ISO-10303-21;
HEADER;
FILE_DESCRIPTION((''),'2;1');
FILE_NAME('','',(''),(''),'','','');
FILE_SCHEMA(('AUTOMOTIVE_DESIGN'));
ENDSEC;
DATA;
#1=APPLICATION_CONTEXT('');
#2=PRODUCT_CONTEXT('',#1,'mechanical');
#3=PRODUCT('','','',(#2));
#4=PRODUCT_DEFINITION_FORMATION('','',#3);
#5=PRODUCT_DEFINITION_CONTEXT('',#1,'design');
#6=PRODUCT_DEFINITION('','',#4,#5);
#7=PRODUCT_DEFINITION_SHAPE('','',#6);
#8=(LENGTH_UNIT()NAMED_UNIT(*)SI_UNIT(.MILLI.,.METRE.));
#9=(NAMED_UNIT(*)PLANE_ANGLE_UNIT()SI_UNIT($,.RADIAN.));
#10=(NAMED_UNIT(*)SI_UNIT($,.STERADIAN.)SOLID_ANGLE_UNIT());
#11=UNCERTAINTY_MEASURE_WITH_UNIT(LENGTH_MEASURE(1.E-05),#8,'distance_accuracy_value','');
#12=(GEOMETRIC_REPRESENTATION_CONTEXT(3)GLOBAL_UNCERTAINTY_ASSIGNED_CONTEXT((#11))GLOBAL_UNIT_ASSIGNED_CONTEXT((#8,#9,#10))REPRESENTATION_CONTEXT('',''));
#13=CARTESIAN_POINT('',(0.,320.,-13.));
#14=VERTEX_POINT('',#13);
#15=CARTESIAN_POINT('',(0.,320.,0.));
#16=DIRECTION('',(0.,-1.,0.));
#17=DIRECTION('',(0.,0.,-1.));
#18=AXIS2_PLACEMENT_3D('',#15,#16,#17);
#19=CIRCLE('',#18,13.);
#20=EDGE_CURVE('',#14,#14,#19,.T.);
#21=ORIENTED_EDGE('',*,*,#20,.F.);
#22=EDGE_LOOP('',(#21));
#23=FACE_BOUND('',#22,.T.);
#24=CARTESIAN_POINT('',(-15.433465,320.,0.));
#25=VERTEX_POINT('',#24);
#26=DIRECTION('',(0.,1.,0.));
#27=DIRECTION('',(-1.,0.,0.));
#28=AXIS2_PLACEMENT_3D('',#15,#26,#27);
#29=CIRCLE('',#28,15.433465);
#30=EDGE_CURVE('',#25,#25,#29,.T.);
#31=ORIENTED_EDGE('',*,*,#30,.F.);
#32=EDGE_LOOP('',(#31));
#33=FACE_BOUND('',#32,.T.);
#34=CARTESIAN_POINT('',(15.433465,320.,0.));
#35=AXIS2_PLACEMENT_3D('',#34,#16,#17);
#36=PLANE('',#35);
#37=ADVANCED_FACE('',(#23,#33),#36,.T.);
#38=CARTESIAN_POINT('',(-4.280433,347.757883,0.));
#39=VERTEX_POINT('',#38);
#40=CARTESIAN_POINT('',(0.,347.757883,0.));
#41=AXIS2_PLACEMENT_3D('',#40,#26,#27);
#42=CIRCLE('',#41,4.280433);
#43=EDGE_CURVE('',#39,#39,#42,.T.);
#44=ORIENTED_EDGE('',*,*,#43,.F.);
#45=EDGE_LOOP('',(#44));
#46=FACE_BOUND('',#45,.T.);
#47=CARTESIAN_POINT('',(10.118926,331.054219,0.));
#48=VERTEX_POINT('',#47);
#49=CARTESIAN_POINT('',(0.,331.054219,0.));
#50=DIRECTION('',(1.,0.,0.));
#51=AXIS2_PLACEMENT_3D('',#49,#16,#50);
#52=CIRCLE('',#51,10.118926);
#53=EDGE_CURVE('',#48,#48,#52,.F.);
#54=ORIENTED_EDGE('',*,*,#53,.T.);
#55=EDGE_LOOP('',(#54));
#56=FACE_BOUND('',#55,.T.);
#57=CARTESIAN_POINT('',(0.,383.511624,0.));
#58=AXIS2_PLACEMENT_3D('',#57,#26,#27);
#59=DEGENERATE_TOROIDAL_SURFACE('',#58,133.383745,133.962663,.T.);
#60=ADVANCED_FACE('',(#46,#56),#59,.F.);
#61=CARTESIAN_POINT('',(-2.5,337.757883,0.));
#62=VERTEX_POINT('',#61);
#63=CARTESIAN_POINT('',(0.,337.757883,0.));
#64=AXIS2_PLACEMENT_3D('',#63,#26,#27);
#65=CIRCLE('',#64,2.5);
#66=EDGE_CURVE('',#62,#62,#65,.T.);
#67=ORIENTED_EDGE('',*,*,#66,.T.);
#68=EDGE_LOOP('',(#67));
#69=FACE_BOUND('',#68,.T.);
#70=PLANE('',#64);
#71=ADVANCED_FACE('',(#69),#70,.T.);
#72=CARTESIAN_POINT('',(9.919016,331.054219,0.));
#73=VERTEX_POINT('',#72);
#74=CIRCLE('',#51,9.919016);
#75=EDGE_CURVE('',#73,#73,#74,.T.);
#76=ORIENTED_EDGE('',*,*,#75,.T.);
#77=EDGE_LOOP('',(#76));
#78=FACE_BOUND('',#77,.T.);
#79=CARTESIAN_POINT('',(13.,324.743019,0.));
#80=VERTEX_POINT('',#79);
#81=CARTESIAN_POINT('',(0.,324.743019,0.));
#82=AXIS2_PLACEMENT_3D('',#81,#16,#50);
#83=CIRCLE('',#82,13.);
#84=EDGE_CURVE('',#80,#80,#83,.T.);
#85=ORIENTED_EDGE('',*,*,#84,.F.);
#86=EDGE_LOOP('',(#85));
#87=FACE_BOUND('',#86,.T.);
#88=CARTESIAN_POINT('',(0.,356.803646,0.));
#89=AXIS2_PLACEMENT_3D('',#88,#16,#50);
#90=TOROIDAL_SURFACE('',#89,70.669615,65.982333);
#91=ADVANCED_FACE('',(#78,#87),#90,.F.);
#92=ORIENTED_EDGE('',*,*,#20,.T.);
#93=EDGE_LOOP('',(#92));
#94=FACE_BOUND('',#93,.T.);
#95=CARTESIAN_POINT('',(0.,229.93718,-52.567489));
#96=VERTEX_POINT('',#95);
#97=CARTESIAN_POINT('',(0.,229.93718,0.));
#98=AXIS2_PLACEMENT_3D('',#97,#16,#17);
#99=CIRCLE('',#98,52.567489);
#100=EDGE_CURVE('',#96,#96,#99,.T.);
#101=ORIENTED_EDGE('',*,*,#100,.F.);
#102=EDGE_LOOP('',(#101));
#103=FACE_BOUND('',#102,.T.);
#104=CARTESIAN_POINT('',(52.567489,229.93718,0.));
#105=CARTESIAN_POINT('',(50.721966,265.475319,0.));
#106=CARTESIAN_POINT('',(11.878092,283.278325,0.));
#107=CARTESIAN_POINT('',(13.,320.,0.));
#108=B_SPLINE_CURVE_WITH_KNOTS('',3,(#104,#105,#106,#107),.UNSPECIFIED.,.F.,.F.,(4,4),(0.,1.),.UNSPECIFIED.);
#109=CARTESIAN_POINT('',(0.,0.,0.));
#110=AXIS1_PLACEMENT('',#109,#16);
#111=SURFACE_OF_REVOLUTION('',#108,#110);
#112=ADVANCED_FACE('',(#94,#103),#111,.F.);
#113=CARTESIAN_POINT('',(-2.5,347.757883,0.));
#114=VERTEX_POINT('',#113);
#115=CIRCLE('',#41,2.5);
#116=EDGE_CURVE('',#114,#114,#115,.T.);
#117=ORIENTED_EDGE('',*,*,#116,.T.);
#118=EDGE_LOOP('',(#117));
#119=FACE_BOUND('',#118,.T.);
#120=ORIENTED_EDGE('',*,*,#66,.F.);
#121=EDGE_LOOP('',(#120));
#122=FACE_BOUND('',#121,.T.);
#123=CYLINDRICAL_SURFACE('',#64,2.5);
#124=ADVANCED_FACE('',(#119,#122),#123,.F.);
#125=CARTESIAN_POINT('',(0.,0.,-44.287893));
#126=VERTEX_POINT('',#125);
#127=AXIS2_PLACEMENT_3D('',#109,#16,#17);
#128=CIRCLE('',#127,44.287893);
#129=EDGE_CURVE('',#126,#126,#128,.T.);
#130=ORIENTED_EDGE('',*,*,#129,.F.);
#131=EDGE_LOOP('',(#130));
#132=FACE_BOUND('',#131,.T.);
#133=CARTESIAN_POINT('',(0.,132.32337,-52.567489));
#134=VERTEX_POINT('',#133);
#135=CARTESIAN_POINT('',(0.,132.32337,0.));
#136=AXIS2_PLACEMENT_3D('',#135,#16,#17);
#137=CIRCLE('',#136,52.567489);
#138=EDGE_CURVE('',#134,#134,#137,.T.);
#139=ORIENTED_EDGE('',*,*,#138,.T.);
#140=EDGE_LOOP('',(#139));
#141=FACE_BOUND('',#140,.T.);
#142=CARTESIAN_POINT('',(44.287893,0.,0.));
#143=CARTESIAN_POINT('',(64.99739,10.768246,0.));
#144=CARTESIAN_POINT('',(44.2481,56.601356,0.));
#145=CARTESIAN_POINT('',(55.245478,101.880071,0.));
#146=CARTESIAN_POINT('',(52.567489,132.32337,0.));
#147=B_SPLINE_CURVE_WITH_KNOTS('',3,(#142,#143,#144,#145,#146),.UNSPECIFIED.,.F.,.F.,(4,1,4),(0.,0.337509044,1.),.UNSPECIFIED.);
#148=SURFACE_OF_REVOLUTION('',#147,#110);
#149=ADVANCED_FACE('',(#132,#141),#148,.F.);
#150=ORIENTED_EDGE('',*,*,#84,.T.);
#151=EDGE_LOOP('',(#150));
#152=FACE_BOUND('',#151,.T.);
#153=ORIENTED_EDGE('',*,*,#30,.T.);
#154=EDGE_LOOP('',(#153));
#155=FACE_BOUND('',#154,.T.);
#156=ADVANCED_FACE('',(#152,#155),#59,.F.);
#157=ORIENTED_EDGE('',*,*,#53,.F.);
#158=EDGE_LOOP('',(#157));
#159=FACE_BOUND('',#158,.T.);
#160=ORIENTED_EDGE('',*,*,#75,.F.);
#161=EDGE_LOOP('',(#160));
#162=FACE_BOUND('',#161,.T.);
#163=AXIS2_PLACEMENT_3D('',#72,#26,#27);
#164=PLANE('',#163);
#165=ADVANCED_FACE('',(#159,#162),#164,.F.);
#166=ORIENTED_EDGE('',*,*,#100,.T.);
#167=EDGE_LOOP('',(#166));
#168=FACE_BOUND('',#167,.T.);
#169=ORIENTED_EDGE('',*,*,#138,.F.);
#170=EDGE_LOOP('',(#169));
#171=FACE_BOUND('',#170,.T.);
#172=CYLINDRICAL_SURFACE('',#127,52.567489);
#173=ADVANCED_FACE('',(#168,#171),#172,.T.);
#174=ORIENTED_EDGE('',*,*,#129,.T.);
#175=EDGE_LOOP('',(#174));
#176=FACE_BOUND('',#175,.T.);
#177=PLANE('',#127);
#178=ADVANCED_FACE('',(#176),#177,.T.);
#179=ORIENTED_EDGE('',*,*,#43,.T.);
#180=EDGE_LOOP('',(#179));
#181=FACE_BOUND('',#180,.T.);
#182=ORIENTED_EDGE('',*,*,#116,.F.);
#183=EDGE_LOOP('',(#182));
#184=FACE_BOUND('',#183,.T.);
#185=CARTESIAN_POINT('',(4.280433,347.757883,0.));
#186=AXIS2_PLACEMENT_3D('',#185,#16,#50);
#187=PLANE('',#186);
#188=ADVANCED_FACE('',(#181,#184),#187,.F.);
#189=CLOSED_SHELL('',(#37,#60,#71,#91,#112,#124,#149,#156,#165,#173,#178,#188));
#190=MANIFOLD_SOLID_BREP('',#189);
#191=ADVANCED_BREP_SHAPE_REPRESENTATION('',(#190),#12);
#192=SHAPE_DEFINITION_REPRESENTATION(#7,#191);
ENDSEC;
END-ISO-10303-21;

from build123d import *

# Parameters (mm, degrees)
SKETCH4_R          = 2.5
CUT_EXTRUDE1_DEPTH = 10


with BuildPart() as part:
    # Sketch1 → Revolve1 (revolve)
    with BuildSketch(Plane.XY, mode=Mode.PRIVATE) as revolve1_sk:
        with BuildLine():
            Line((0, 0), (0, 320))
            Line((0, 320), (0, 331.054218753))
            Line((0, 331.054218753), (13, 331.054218753))
            Line((13, 331.054218753), (13, 321.576985446))
            Line((13, 321.576985446), (15.433464657, 320))
            Line((15.433464657, 320), (13, 320))
            add(Edge.make_bspline(
                [(13, 320), (11.878091836, 283.27832547), (50.721966152, 265.475319412), (52.567488524, 229.937180409)],
                knots=[0, 0, 0, 0, 1, 1, 1, 1], degree=3))
            Line((52.567488524, 229.937180409), (52.567488524, 132.323370386))
            add(Edge.make_bspline(
                [(52.567488524, 132.323370386), (55.245477634, 101.880070943), (44.248099594, 56.601355946), (64.997390408, 10.768245845), (44.287893313, 0)],
                knots=[0, 0, 0, 0, 0.662490956, 1, 1, 1, 1], degree=3))
            Line((44.287893313, 0), (0, 0))
        make_face()
    revolve(revolve1_sk.sketch.rotate(Axis((0, 0, 0), (0, 1, 0)), 90), axis=Axis((0, 0, 0), (0, 1, 0)))

    # Sketch2 → Revolve2 (revolve)
    with BuildSketch(Plane.XY, mode=Mode.PRIVATE) as revolve2_sk:
        with BuildLine():
            Line((4.280433448, 347.757883162), (0, 347.757883162))
            Line((0, 347.757883162), (0, 320))
            Line((0, 320), (15.433464657, 320))
            ThreePointArc((15.433464657, 320), (9.079705094, 333.566647373), (4.280433448, 347.757883162))
        make_face()
    revolve(revolve2_sk.sketch.rotate(Axis((0, 347.757883162, 0), (0, -1, 0)), 180), axis=Axis((0, 347.757883162, 0), (0, -1, 0)))

    # Sketch3 → Cut-Revolve1 (revolve, cut)
    with BuildSketch(Plane.XY, mode=Mode.PRIVATE) as cut_revolve1_sk:
        with BuildLine():
            Line((9.919015749, 331.054218753), (13, 331.054218753))
            Line((13, 331.054218753), (13, 324.743018777))
            ThreePointArc((13, 324.743018777), (11.37547872, 327.857597644), (9.919015749, 331.054218753))
        make_face()
    revolve(cut_revolve1_sk.sketch.rotate(Axis((0, 331.054218753, 0), (0, 1, 0)), 180), axis=Axis((0, 331.054218753, 0), (0, 1, 0)), mode=Mode.SUBTRACT)

    # Sketch4 → Cut-Extrude1 (cut)
    with BuildSketch(Plane(origin=(0, 347.757883162, 0), x_dir=(1, 0, 0), z_dir=(0, 1, 0))):
        with Locations(Location((0, 0, 0), (0, 0, 180))):
            Circle(SKETCH4_R)
    extrude(amount=-CUT_EXTRUDE1_DEPTH, mode=Mode.SUBTRACT)


solid = part.part
